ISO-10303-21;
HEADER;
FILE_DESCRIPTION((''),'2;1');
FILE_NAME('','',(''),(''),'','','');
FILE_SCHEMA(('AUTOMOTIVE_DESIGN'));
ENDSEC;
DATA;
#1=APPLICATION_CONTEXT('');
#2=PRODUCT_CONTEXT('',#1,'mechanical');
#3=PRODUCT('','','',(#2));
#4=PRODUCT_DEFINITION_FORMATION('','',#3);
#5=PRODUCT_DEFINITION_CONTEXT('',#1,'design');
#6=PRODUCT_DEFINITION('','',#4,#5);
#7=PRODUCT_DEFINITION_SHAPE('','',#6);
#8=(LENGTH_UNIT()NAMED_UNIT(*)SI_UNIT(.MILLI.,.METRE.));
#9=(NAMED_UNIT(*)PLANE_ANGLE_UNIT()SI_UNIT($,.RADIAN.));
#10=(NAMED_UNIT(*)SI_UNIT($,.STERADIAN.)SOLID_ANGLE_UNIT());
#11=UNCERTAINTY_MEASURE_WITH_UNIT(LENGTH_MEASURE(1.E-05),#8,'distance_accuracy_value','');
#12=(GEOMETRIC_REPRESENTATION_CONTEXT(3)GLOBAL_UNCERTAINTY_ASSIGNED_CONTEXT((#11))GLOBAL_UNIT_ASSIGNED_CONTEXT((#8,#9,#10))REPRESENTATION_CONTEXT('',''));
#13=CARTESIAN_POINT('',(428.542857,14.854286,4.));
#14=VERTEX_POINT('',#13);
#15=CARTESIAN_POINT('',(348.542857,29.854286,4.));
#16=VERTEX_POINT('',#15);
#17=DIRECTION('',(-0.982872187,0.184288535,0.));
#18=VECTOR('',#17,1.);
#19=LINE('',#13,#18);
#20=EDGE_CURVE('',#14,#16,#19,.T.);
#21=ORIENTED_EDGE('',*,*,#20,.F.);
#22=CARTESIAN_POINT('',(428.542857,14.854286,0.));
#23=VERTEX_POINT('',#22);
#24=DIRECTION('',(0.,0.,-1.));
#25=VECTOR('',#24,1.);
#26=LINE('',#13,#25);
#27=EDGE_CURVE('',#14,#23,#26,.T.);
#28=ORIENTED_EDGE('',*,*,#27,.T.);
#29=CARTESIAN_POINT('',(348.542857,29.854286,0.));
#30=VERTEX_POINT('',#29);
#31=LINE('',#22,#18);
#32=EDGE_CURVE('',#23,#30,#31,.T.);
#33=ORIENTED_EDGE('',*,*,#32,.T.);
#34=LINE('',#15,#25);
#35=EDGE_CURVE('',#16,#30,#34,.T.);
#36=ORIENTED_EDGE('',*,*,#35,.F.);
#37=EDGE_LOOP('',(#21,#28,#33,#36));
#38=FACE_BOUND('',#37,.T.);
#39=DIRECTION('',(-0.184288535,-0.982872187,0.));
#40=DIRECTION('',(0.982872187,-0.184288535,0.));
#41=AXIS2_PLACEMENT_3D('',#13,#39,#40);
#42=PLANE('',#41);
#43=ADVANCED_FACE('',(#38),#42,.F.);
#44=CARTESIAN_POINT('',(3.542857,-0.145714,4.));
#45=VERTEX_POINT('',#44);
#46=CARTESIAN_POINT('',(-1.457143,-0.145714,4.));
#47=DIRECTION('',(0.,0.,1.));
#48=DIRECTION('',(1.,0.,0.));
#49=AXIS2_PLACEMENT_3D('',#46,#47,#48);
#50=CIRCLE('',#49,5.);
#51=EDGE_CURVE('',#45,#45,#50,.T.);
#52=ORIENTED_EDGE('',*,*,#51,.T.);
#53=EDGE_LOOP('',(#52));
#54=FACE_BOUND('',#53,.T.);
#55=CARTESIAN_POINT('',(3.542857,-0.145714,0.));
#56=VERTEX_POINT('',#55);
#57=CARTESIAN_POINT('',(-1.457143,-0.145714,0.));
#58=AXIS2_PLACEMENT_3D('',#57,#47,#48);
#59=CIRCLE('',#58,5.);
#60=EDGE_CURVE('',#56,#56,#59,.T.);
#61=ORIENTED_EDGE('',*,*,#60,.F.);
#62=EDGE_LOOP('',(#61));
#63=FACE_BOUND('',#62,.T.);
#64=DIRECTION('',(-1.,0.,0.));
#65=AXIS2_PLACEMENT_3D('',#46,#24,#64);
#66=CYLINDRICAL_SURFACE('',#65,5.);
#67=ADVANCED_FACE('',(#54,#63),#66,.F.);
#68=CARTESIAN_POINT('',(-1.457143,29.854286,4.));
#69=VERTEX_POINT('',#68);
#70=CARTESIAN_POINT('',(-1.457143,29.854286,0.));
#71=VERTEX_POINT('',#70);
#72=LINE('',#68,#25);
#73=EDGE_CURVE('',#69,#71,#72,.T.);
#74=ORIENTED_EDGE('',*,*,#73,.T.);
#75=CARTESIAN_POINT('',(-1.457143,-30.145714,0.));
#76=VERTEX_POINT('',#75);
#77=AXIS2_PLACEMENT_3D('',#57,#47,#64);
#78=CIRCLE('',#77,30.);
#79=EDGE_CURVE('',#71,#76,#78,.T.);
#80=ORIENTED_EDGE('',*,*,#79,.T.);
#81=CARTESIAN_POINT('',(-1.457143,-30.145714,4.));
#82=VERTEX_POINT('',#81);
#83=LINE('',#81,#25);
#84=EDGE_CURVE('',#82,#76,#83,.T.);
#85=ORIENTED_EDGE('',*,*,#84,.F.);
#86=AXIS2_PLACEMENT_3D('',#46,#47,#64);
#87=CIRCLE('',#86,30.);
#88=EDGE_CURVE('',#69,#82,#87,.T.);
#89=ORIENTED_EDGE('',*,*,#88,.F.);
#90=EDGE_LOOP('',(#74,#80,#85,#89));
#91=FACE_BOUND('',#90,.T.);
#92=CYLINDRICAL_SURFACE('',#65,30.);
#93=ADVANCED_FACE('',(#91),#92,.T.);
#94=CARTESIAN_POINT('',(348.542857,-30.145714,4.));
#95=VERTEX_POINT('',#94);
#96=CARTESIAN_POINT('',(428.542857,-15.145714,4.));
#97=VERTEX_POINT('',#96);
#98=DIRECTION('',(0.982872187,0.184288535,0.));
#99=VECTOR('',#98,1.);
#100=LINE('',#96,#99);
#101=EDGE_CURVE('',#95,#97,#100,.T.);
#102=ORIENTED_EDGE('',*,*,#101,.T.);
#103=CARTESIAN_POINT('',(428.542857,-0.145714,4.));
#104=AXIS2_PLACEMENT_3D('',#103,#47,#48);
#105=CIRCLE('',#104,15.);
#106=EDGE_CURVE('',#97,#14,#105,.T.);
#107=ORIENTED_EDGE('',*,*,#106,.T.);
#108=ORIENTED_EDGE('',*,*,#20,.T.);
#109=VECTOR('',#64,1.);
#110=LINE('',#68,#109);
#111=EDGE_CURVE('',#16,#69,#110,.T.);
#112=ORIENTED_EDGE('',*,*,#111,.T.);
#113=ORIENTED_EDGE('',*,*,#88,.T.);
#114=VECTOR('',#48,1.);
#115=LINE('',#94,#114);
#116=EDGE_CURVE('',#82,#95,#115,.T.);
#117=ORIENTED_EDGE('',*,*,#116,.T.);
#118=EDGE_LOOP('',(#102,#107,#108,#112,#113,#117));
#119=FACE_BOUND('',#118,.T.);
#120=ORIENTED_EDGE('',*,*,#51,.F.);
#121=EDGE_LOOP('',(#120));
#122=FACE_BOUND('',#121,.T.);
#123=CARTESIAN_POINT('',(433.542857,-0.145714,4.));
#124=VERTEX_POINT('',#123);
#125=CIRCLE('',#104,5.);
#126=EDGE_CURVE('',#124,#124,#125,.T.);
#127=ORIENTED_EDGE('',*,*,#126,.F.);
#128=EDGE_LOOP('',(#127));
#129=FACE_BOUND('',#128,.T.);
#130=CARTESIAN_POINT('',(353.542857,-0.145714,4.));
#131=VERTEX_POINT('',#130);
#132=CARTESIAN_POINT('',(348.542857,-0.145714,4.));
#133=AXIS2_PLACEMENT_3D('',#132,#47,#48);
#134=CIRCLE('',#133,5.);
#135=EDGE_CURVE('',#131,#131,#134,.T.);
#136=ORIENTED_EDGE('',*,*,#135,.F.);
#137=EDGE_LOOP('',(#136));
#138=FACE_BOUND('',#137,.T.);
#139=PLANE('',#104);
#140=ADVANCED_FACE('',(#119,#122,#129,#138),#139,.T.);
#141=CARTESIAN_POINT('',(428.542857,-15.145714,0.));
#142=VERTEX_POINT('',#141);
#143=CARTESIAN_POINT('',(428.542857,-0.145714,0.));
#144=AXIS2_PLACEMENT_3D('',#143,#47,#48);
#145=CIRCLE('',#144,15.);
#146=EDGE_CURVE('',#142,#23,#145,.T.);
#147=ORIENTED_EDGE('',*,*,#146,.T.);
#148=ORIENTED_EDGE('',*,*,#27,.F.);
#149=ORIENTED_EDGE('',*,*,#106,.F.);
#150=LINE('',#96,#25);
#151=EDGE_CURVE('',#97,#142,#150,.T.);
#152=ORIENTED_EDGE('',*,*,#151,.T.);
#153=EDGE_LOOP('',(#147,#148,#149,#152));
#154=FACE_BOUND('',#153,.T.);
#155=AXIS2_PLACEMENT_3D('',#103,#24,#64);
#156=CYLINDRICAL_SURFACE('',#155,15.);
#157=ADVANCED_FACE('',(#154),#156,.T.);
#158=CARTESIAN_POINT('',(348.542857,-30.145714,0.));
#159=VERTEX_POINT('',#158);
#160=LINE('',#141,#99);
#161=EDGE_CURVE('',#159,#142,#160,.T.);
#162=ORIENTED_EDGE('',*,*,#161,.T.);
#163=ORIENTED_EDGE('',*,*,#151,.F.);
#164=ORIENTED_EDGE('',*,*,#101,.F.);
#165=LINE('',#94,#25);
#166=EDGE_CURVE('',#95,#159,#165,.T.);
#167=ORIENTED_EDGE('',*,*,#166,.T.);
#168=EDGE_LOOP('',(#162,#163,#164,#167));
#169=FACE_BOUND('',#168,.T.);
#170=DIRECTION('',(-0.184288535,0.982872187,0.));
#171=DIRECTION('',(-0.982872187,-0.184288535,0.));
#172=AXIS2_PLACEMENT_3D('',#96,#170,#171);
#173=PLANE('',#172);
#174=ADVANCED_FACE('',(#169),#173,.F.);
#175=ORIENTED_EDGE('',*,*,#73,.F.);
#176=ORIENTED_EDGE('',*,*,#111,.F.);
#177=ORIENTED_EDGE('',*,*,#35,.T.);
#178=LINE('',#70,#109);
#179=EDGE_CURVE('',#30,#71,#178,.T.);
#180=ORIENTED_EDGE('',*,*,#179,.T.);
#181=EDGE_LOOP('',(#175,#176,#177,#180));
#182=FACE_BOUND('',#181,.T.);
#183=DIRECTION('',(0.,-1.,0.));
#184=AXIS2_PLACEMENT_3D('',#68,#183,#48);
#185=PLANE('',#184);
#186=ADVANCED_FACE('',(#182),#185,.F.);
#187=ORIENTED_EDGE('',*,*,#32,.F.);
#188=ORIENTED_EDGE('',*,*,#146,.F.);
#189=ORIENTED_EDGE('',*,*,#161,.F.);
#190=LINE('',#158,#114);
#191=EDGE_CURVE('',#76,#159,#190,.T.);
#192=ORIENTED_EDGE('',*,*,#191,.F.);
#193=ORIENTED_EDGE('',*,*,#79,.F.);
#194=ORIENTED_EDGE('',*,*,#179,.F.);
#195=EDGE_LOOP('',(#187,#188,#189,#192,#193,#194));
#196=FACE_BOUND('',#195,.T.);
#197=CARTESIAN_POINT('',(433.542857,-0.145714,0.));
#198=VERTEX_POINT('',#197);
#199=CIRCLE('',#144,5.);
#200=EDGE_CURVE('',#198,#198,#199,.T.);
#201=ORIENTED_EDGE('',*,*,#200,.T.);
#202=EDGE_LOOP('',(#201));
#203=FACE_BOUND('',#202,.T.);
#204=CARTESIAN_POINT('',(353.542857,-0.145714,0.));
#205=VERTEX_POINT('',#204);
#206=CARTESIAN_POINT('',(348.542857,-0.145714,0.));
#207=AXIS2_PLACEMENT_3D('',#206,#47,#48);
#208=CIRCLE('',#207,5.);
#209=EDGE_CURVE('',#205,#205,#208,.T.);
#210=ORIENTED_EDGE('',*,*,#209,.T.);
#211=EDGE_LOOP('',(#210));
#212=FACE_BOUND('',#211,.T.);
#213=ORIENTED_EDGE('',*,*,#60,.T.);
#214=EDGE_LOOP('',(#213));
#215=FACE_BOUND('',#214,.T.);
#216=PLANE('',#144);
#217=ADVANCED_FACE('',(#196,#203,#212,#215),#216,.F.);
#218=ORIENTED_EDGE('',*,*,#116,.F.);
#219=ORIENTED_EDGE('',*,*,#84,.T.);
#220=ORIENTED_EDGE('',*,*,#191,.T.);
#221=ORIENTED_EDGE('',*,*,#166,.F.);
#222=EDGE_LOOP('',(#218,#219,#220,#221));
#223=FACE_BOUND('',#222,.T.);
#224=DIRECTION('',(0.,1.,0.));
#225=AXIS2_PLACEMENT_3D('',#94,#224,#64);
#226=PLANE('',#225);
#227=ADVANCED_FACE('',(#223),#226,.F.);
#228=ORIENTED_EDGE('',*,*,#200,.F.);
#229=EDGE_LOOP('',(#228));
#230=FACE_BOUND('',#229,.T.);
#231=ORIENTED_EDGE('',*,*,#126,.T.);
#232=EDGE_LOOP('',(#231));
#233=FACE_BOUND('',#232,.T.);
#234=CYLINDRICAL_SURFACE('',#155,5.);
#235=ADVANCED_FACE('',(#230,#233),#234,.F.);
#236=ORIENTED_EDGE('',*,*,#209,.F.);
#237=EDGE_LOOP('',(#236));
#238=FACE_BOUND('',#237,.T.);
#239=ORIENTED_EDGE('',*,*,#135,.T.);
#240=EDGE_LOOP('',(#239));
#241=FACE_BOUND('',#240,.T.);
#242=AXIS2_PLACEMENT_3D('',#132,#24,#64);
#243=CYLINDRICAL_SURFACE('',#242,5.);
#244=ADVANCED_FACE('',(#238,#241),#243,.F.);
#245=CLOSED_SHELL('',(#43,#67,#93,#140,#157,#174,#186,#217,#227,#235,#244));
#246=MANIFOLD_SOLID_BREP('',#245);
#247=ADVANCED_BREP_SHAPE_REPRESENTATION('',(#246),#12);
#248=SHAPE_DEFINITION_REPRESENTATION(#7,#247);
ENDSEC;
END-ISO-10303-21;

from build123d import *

# Parameters (mm, degrees)
SKETCH_1_R      = 5
EXTRUDE_1_DEPTH = 4


with BuildPart() as part:
    # 草图1 → 凸台-拉伸1 (new body)
    with BuildSketch(Plane.XY):
        with BuildLine():
            Line((428.542857143, -15.145714286), (348.542857143, -30.145714286))
            Line((348.542857143, -30.145714286), (-1.457142857, -30.145714286))
            ThreePointArc((-1.457142857, -30.145714286), (-31.457142857, -0.145714286), (-1.457142857, 29.854285714))
            Line((-1.457142857, 29.854285714), (348.542857143, 29.854285714))
            Line((348.542857143, 29.854285714), (428.542857143, 14.854285714))
            ThreePointArc((428.542857143, 14.854285714), (443.542857143, -0.145714286), (428.542857143, -15.145714286))
        make_face()
        with Locations((428.542857143, -0.145714286)):
            Circle(SKETCH_1_R, mode=Mode.SUBTRACT)
        with Locations((-1.457142857, -0.145714286)):
            Circle(SKETCH_1_R, mode=Mode.SUBTRACT)
        with Locations((348.542857143, -0.145714286)):
            Circle(SKETCH_1_R, mode=Mode.SUBTRACT)
    extrude(amount=EXTRUDE_1_DEPTH)


solid = part.part
